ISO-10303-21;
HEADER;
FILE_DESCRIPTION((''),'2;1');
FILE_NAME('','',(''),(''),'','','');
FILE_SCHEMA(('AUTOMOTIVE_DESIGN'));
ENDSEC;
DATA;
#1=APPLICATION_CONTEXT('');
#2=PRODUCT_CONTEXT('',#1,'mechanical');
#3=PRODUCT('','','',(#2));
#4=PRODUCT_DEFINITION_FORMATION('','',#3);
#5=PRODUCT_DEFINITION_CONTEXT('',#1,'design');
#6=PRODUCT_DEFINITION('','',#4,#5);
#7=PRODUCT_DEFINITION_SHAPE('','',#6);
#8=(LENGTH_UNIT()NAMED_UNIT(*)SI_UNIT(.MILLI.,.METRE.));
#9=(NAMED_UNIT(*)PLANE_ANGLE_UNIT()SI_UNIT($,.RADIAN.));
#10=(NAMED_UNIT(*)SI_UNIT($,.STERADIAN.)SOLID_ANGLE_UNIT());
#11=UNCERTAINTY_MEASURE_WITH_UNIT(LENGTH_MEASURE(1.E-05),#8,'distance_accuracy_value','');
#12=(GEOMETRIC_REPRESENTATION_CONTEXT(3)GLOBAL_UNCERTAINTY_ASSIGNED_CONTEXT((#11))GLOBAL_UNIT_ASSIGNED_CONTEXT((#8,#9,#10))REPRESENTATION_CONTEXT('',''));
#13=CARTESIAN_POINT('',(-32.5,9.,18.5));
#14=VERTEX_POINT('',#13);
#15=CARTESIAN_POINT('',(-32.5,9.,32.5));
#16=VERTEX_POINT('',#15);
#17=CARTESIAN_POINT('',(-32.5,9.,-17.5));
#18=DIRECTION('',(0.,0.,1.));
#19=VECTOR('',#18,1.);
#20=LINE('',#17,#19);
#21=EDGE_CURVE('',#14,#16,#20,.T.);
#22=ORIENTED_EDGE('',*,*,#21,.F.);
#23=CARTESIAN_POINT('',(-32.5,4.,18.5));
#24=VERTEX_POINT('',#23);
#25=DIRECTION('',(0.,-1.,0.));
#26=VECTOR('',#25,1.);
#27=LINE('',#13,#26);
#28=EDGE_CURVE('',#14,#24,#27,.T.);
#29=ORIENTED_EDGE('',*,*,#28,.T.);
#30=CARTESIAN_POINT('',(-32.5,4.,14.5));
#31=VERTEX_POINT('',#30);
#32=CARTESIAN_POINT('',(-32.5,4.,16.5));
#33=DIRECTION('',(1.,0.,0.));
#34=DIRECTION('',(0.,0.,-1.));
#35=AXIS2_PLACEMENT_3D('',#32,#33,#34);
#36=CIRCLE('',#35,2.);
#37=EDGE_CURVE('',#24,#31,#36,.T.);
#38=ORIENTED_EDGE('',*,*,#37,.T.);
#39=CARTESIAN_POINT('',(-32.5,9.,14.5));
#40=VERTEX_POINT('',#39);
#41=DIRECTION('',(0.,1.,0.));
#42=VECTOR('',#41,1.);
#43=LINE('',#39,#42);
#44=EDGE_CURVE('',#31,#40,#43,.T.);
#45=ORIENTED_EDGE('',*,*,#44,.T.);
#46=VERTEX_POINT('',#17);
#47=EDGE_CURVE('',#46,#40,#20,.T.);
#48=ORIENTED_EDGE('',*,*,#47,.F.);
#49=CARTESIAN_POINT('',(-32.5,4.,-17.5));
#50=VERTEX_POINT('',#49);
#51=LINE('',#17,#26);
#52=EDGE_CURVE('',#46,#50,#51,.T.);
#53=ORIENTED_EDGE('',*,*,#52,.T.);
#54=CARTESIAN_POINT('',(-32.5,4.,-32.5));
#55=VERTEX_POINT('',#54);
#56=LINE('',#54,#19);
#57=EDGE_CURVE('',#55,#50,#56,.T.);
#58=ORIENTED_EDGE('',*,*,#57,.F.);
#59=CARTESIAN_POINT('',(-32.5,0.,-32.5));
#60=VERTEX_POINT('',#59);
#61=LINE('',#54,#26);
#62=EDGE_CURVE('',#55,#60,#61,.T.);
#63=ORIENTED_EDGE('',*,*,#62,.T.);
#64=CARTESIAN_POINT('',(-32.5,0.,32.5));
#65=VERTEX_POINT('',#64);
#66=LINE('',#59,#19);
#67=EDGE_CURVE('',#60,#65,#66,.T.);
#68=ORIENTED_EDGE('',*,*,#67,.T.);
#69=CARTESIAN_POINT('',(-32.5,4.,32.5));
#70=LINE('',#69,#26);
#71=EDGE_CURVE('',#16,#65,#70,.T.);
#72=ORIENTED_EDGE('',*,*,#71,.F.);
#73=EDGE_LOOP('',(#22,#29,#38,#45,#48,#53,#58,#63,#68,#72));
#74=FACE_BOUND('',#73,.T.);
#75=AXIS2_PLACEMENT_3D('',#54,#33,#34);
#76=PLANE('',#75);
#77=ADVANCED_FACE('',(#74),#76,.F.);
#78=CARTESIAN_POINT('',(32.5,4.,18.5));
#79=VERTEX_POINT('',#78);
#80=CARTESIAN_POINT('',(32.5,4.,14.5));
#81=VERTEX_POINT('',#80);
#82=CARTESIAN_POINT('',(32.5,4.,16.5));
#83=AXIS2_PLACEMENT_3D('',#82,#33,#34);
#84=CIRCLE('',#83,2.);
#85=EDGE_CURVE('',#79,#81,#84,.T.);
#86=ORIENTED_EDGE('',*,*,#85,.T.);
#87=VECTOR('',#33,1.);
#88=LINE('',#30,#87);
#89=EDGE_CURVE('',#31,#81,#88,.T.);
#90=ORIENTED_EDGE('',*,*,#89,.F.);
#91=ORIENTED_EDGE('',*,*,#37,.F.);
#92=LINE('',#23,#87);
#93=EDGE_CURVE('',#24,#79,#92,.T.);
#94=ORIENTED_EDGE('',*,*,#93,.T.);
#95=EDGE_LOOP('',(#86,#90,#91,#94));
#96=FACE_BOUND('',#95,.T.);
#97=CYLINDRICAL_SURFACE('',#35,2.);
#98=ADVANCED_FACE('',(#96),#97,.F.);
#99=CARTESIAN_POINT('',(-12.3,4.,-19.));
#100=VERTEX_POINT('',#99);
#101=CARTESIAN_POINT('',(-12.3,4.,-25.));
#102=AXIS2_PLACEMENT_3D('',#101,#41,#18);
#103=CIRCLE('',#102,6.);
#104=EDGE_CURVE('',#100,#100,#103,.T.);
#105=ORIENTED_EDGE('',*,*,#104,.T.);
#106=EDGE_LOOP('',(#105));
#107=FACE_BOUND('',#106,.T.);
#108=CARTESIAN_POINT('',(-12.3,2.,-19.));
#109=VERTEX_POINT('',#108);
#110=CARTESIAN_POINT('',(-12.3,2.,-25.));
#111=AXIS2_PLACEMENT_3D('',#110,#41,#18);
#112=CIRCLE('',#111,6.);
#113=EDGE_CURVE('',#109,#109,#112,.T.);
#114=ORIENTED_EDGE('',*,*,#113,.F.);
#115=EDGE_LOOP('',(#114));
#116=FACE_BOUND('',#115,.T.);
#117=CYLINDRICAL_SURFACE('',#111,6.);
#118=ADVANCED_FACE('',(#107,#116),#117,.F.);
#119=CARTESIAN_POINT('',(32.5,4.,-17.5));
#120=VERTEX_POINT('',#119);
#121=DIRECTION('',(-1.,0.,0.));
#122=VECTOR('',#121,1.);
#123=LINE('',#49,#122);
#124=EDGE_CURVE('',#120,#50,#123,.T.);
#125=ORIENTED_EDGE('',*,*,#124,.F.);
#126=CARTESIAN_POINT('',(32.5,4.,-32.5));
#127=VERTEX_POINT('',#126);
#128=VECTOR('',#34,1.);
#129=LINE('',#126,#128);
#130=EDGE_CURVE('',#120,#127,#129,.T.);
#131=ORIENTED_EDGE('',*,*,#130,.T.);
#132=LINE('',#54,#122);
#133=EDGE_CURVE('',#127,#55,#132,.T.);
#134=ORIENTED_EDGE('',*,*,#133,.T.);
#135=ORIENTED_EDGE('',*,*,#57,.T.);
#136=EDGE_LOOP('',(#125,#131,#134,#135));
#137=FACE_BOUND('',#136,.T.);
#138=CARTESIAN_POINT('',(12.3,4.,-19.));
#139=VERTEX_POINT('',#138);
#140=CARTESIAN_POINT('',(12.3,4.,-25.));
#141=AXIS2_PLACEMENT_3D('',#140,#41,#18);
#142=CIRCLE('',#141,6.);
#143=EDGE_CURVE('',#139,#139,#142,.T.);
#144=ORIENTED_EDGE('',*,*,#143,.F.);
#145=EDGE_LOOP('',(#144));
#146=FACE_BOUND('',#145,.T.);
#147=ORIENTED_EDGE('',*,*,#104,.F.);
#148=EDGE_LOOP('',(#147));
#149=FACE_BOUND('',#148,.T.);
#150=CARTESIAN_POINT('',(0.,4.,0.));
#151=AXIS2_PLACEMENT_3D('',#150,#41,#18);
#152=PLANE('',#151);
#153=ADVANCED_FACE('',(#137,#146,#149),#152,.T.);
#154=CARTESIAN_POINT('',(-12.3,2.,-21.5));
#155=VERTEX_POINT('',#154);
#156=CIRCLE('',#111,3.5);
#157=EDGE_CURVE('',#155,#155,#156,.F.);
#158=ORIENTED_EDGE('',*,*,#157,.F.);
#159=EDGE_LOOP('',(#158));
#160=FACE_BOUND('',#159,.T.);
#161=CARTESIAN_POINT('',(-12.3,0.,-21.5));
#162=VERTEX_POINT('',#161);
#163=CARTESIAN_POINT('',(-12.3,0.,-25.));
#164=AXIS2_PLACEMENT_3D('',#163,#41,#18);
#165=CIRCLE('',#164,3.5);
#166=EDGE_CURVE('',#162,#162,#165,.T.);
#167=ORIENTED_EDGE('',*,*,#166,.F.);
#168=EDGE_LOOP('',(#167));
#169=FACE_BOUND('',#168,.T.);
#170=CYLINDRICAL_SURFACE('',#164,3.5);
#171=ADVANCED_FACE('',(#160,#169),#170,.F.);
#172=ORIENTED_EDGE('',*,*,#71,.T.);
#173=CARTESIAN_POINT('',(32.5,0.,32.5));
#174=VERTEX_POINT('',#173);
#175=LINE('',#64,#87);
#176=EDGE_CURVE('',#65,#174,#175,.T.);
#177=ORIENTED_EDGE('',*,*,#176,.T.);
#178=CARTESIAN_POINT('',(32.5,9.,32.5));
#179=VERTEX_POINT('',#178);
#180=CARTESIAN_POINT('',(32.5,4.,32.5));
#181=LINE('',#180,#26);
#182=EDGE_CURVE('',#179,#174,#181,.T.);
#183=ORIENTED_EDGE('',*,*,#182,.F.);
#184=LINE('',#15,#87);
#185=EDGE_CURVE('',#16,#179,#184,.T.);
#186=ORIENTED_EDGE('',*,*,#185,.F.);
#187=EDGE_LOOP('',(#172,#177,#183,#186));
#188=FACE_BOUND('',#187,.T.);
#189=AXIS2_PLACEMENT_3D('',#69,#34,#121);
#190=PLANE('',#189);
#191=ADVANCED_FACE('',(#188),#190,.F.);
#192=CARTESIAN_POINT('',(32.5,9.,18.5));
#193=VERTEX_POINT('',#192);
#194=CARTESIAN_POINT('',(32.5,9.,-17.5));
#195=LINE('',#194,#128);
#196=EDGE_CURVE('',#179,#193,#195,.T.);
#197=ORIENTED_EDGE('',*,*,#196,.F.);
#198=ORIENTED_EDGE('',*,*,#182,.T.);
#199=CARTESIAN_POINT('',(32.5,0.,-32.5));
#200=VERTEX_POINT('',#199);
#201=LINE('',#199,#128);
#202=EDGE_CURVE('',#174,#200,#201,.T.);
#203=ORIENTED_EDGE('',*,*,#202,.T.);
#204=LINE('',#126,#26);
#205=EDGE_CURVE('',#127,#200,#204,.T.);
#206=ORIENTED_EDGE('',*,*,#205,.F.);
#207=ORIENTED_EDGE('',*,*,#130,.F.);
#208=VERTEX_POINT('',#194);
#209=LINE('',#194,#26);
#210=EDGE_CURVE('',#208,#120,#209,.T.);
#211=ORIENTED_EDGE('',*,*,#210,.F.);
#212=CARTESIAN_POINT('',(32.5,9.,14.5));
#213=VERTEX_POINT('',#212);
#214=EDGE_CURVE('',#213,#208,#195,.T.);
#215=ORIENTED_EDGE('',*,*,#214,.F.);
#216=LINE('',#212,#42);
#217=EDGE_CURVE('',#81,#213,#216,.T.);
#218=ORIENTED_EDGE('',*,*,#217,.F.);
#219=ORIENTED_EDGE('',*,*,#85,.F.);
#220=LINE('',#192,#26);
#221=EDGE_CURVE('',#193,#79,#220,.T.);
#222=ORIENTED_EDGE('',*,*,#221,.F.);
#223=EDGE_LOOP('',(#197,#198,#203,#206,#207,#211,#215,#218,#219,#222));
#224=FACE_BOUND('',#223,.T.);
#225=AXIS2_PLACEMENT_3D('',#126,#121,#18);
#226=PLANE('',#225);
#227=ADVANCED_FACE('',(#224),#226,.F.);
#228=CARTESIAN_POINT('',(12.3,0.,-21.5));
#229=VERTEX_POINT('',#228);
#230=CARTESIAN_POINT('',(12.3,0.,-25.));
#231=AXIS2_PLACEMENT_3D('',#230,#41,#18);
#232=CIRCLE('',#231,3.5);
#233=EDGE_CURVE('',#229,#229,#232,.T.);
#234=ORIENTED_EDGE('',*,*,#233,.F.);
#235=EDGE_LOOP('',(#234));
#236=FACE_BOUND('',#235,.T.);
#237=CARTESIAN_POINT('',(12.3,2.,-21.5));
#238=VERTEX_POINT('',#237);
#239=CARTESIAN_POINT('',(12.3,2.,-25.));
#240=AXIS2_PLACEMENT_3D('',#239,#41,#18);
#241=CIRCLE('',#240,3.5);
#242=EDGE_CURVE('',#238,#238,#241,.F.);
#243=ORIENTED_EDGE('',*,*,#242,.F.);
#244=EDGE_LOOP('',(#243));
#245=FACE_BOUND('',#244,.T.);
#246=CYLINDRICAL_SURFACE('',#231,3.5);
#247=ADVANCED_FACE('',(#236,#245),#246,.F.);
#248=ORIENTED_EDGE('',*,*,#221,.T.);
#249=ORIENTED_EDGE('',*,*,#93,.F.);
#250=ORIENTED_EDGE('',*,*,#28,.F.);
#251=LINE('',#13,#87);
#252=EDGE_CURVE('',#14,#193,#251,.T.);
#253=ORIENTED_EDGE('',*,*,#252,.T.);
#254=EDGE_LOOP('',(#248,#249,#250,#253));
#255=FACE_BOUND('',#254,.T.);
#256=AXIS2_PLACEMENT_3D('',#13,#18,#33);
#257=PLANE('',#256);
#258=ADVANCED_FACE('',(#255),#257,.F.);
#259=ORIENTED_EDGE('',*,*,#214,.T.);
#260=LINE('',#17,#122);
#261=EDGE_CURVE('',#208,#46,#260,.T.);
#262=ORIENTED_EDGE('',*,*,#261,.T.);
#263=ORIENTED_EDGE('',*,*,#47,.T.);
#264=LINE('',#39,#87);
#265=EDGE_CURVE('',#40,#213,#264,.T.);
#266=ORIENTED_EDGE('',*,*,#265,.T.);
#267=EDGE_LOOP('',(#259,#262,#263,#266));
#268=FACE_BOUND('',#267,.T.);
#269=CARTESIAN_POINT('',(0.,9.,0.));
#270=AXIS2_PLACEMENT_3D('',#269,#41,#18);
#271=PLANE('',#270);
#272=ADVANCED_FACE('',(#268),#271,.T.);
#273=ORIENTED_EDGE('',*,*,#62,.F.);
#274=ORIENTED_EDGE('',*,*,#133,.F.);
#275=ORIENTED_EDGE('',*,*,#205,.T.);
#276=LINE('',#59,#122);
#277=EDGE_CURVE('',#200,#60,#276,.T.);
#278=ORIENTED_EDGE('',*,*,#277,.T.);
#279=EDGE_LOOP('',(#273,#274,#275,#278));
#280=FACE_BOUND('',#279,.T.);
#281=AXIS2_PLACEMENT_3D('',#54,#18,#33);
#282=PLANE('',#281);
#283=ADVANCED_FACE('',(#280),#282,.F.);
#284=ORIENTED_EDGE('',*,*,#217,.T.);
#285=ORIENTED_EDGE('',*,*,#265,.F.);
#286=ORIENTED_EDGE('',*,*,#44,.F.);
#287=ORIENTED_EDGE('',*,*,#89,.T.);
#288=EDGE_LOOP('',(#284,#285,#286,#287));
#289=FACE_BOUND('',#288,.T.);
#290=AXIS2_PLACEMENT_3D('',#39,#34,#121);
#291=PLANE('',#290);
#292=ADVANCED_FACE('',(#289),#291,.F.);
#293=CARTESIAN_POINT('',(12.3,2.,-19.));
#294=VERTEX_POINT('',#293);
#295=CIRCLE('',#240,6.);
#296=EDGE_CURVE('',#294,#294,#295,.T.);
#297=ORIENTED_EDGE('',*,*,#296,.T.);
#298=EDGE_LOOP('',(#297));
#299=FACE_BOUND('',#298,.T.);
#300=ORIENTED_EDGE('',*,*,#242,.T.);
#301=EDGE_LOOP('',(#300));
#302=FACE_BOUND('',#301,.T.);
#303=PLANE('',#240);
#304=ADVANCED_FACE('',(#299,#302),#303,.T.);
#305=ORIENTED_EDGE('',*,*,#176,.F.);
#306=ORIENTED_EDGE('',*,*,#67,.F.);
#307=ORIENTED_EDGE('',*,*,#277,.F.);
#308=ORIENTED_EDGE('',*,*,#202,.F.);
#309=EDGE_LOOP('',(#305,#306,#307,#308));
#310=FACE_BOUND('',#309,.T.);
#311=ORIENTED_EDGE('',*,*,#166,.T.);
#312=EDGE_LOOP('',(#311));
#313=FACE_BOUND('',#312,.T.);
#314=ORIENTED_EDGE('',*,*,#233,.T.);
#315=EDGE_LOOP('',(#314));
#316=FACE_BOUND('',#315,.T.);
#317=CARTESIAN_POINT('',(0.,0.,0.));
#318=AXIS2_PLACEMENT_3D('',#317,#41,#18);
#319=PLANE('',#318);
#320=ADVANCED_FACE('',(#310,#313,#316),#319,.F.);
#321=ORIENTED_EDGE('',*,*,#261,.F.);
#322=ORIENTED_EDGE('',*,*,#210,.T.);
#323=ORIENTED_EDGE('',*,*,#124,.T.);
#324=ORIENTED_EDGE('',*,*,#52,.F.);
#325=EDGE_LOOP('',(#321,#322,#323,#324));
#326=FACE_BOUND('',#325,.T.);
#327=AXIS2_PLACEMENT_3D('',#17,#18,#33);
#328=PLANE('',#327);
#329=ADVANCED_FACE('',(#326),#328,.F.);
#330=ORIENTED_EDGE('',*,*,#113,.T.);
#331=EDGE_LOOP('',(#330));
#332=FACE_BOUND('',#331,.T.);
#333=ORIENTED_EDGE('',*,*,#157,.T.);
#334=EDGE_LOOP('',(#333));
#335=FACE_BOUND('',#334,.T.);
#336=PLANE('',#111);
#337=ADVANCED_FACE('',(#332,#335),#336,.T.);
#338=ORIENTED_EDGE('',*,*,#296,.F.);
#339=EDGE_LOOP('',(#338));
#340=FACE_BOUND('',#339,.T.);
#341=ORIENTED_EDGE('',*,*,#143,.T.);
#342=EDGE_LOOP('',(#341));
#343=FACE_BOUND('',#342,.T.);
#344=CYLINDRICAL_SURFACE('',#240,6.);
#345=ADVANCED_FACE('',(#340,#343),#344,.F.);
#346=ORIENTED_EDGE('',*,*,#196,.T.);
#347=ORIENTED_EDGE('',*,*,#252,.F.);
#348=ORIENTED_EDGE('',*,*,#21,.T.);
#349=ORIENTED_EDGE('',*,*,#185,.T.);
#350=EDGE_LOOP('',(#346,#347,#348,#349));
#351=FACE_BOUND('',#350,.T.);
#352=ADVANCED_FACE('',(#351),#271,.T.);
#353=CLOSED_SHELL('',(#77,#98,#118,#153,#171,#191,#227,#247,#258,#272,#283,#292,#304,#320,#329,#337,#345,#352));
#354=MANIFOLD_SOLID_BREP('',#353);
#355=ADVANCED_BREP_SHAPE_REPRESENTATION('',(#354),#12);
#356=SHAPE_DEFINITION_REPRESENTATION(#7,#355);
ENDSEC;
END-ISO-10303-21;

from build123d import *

# Parameters (mm, degrees)
SKETCH_1_W          = 65
SKETCH_1_H          = 65
EXTRUDE_1_DEPTH     = 4
SKETCH_2_R          = 3.5
CUT_EXTRUDE_1_DEPTH = 47.135669498
SKETCH_3_R          = 6
CUT_EXTRUDE_2_DEPTH = 2
SKETCH_4_W          = 65
SKETCH_4_H          = 50
EXTRUDE_2_DEPTH     = 5
SKETCH_5_W          = 4
SKETCH_5_H          = 5
CUT_EXTRUDE_3_DEPTH = 74.227385588
SKETCH_6_R          = 2
CUT_EXTRUDE_4_DEPTH = 74.227385588


with BuildPart() as part:
    # 草图1 → 凸台-拉伸1 (new body)
    with BuildSketch(Plane(origin=(0, 0, 0), x_dir=(1, 0, 0), z_dir=(0, 1, 0))):
        Rectangle(SKETCH_1_W, SKETCH_1_H)
    extrude(amount=EXTRUDE_1_DEPTH)

    # 草图2 → 切除-拉伸1 (cut, through all)
    with BuildSketch(Plane(origin=(0, 4, 0), x_dir=(1, 0, 0), z_dir=(0, 1, 0))):
        with Locations(Location((-12.3, 25, 0), (0, 0, 270))):
            Circle(SKETCH_2_R)
        with Locations(Location((12.3, 25, 0), (0, 0, 270))):
            Circle(SKETCH_2_R)
    extrude(amount=-CUT_EXTRUDE_1_DEPTH, mode=Mode.SUBTRACT)

    # 草图3 → 切除-拉伸2 (cut)
    with BuildSketch(Plane(origin=(0, 4, 0), x_dir=(1, 0, 0), z_dir=(0, 1, 0))):
        with Locations(Location((-12.3, 25, 0), (0, 0, 270))):
            Circle(SKETCH_3_R)
        with Locations(Location((12.3, 25, 0), (0, 0, 270))):
            Circle(SKETCH_3_R)
    extrude(amount=-CUT_EXTRUDE_2_DEPTH, mode=Mode.SUBTRACT)

    # 草图4 → 凸台-拉伸2 (add)
    with BuildSketch(Plane(origin=(0, 4, 0), x_dir=(1, 0, 0), z_dir=(0, 1, 0))):
        with Locations((0, -7.5)):
            Rectangle(SKETCH_4_W, SKETCH_4_H)
    extrude(amount=EXTRUDE_2_DEPTH)

    # 草图5 → 切除-拉伸3 (cut, through all)
    with BuildSketch(Plane(origin=(32.5, 0, 0), x_dir=(0, 0, -1), z_dir=(1, 0, 0))):
        with Locations((-16.5, 6.5)):
            Rectangle(SKETCH_5_W, SKETCH_5_H)
    extrude(amount=-CUT_EXTRUDE_3_DEPTH, mode=Mode.SUBTRACT)

    # 草图6 → 切除-拉伸4 (cut, through all)
    with BuildSketch(Plane(origin=(32.5, 0, 0), x_dir=(0, 0, -1), z_dir=(1, 0, 0))):
        with Locations((-16.5, 4)):
            Circle(SKETCH_6_R)
    extrude(amount=-CUT_EXTRUDE_4_DEPTH, mode=Mode.SUBTRACT)


solid = part.part
